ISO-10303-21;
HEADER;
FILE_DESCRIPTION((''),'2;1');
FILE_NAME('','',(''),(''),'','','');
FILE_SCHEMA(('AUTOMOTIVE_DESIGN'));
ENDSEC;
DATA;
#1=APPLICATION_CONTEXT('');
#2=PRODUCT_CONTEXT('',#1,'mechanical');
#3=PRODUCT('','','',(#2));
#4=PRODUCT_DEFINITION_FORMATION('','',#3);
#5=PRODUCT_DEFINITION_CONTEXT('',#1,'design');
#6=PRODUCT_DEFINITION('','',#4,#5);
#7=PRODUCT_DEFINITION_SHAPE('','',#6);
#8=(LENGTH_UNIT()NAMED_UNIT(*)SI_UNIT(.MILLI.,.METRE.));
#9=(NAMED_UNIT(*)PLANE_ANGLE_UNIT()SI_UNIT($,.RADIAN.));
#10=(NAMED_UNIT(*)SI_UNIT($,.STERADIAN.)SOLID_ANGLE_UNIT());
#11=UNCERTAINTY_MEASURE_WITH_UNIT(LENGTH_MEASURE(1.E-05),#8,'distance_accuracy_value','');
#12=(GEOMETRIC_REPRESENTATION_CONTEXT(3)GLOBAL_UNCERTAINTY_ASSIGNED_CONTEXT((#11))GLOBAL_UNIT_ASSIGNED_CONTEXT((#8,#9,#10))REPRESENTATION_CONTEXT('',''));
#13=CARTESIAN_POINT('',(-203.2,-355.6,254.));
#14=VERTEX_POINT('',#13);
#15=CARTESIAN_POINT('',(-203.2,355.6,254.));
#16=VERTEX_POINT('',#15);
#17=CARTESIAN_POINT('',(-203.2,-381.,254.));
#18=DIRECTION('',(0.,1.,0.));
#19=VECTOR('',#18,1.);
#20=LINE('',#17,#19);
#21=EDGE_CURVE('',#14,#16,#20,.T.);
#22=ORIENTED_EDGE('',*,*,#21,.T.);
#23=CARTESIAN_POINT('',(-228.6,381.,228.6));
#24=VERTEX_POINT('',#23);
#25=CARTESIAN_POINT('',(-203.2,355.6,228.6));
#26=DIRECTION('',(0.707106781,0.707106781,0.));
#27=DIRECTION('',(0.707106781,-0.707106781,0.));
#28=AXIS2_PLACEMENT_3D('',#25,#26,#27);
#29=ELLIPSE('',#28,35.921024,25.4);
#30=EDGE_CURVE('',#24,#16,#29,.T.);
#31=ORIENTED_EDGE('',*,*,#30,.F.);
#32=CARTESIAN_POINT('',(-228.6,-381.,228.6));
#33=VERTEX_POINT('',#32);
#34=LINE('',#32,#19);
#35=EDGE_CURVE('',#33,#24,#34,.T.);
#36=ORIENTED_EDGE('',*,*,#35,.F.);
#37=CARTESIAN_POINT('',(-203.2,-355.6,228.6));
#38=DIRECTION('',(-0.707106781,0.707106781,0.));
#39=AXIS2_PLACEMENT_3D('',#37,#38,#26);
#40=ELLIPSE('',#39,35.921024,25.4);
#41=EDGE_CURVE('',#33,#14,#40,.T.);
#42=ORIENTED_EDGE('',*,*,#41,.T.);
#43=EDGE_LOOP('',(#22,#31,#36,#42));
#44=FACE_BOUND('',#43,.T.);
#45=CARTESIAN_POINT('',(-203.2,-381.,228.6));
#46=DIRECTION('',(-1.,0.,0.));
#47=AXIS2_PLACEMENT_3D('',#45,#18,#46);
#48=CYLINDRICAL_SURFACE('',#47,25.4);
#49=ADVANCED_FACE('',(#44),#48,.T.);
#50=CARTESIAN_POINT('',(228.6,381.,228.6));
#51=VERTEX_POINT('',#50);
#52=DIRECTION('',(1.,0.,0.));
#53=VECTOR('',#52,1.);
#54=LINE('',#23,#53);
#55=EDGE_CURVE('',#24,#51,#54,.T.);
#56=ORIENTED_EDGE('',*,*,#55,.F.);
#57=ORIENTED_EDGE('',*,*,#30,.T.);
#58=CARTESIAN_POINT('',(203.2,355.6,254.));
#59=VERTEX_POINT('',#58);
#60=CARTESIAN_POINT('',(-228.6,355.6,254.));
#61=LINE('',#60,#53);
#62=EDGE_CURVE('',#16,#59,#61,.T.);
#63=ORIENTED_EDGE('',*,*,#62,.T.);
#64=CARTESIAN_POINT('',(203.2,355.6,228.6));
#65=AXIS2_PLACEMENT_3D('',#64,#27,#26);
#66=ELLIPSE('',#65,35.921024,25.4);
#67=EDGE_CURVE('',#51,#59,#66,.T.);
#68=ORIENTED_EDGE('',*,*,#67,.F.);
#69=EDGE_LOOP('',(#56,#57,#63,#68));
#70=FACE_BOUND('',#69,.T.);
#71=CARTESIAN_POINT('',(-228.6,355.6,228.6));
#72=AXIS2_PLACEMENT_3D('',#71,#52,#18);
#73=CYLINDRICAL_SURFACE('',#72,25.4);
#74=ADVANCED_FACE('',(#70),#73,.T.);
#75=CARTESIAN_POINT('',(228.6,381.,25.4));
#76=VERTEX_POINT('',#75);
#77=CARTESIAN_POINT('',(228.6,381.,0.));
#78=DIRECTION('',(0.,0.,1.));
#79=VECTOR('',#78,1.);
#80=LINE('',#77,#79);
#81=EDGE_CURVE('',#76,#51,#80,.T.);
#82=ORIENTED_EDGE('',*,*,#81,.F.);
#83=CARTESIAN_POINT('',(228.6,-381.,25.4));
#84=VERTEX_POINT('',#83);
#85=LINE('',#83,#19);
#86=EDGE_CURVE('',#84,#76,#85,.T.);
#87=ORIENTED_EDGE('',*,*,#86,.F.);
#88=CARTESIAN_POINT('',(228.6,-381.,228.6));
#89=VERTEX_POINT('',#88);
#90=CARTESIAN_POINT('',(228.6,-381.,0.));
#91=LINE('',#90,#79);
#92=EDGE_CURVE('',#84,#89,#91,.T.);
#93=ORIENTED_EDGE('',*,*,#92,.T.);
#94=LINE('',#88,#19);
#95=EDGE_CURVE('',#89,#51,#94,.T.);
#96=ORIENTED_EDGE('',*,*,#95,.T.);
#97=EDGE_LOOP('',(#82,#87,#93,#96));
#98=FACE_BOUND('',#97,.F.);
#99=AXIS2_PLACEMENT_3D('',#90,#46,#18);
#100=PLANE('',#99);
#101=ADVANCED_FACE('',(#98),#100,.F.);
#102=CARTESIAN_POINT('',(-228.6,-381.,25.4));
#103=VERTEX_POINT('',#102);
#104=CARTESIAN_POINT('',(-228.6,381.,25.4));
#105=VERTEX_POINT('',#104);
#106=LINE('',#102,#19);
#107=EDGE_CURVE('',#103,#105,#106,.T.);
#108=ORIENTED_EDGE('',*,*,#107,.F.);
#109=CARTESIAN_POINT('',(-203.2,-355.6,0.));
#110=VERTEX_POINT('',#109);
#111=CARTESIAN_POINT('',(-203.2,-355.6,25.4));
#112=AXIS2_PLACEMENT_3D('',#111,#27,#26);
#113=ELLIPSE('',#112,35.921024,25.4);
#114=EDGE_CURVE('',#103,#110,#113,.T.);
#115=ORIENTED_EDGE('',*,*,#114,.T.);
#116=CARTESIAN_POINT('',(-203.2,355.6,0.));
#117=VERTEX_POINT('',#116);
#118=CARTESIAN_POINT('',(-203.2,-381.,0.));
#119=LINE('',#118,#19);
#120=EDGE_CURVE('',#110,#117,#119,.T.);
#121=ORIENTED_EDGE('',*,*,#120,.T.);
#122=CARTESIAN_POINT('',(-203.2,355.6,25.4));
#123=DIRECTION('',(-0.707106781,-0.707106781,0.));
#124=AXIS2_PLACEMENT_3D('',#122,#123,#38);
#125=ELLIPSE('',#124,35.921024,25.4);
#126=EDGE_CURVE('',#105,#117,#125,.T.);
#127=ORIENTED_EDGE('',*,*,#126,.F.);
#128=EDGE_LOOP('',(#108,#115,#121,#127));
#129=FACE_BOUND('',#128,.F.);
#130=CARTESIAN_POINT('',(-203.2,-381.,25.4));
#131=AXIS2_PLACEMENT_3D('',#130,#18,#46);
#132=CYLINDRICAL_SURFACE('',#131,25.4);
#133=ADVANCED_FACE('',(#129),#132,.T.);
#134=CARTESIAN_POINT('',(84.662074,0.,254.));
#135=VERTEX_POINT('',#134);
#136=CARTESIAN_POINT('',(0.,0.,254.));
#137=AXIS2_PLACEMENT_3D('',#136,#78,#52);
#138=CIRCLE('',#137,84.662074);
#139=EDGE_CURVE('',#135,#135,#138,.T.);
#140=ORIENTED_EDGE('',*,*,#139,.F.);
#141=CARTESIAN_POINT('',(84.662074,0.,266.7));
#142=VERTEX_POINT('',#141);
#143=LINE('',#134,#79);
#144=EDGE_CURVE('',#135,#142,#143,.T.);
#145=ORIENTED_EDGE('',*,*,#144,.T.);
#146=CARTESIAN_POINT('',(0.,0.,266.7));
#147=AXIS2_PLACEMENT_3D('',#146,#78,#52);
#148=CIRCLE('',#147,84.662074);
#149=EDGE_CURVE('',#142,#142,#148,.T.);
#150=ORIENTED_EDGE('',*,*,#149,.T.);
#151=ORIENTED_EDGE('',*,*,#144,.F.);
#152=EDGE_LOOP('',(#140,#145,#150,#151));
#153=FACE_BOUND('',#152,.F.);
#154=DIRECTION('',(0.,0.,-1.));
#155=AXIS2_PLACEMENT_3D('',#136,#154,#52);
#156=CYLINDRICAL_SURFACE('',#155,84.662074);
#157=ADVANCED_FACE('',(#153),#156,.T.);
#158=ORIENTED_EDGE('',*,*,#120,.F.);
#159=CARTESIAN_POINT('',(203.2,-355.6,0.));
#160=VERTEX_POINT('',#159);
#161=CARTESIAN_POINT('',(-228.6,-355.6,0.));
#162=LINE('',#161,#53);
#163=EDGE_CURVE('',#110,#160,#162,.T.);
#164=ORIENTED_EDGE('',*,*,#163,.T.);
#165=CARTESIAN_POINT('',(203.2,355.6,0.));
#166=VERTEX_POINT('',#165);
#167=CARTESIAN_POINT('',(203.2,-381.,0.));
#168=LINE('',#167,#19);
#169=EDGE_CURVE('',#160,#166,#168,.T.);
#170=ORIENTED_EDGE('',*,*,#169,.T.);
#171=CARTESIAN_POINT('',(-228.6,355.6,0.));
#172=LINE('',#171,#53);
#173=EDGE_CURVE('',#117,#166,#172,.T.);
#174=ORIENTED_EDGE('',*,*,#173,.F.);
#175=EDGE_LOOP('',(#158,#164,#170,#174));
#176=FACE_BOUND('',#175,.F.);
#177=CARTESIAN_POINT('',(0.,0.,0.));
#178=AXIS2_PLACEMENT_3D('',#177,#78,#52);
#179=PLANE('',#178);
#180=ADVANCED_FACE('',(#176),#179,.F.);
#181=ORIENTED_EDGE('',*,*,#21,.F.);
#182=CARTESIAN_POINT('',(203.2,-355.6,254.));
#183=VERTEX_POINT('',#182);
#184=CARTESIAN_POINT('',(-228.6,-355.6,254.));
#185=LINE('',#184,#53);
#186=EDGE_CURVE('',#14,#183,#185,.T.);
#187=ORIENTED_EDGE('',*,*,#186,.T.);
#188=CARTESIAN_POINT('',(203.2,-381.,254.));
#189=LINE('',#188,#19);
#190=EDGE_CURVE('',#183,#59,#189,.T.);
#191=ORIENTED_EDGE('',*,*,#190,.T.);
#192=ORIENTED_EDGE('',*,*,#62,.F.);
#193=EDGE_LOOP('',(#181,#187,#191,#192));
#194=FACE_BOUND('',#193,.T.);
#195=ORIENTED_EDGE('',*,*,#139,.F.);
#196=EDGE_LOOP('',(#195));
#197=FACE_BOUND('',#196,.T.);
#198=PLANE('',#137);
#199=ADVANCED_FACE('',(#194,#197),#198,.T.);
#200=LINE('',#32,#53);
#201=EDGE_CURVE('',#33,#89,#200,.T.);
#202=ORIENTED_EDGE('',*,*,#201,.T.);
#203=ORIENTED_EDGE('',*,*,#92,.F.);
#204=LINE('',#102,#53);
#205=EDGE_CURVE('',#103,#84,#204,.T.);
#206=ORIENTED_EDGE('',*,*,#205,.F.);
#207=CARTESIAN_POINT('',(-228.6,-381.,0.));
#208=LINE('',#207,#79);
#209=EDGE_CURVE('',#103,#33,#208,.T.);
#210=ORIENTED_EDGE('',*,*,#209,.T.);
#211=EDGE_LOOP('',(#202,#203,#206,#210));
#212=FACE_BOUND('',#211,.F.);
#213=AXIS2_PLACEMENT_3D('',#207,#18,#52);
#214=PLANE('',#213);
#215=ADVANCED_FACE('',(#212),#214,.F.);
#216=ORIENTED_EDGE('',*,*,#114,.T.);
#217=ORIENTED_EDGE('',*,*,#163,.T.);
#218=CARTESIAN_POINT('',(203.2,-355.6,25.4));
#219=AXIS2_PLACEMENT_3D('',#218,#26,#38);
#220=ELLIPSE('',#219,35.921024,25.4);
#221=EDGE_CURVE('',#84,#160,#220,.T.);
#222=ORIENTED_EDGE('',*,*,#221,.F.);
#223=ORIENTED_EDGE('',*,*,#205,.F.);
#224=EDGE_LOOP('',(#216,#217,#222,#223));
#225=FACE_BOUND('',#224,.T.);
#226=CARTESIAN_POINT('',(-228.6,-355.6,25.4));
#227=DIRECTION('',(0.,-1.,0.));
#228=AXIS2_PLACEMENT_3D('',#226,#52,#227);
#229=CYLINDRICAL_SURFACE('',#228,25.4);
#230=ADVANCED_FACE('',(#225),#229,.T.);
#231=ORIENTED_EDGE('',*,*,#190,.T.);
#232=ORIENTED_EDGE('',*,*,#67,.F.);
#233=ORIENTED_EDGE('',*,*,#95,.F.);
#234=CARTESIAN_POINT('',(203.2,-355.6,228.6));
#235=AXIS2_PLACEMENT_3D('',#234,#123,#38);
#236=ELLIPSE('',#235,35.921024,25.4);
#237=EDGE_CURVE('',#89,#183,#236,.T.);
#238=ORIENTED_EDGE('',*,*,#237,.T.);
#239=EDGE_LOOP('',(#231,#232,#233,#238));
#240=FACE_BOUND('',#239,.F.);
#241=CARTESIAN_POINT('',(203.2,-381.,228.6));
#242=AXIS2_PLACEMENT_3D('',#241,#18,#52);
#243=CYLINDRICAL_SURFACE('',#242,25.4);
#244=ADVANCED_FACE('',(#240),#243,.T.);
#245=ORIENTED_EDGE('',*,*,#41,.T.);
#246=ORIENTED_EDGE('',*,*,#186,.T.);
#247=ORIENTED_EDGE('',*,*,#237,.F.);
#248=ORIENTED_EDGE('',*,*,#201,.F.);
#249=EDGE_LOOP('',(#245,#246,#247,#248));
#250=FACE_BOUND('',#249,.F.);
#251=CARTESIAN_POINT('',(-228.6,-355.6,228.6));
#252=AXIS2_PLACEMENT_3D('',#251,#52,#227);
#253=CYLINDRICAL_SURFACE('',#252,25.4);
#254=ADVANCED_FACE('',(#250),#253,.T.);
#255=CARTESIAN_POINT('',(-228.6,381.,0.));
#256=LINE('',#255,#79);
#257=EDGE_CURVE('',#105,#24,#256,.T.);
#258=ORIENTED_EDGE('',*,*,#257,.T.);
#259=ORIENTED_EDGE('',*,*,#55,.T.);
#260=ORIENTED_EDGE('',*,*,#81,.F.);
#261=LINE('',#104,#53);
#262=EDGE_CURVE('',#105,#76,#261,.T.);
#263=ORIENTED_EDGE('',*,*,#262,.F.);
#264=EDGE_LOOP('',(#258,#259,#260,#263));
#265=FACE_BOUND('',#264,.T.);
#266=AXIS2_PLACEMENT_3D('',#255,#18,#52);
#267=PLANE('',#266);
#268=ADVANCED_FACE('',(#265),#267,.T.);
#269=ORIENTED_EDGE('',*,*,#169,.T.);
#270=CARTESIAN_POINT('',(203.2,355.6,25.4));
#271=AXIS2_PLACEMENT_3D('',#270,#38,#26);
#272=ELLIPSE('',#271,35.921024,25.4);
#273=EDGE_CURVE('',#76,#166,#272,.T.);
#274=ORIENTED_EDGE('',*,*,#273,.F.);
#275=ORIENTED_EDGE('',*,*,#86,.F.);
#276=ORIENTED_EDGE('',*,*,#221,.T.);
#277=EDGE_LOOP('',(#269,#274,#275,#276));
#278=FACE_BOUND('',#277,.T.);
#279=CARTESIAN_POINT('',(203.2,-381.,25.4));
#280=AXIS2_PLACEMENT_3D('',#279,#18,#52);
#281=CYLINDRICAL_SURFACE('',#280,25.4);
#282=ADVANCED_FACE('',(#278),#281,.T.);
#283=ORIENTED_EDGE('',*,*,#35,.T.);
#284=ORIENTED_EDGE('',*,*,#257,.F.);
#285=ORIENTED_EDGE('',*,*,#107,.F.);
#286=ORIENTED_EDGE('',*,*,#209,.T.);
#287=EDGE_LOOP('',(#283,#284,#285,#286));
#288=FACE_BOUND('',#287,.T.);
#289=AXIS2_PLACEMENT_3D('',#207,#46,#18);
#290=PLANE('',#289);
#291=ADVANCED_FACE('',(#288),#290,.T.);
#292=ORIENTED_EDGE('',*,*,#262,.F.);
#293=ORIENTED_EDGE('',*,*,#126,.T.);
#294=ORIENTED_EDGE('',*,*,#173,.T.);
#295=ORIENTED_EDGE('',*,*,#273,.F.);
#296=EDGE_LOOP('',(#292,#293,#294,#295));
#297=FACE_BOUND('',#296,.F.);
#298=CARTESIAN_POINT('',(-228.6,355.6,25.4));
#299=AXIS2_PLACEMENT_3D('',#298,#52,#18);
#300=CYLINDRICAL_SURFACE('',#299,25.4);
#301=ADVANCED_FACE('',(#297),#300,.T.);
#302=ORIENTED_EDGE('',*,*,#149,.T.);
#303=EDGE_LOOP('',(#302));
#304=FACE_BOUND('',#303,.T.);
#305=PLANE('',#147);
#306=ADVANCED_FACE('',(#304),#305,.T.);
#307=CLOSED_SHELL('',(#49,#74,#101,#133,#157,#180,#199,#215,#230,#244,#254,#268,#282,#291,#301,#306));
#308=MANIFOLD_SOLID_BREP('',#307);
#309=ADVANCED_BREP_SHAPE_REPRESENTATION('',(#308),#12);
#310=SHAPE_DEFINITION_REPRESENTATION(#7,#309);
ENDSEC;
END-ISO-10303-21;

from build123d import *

# Parameters (mm, degrees)
F0_W     = 457.2
F0_H     = 762
F1_DEPTH = 254
F2_R     = 25.4
F3_R     = 84.662074
F4_DEPTH = 12.7


with BuildPart() as f1:
    # F0 (on Top) → F1 (new body)
    with BuildSketch(Plane.XY):
        Rectangle(F0_W, F0_H)
    extrude(amount=F1_DEPTH)

    # F2
    f2_edges = [f1.edges().sort_by_distance(p)[0] for p in [
        (0, 381, 254),
        (228.6, 0, 254),
        (0, -381, 254),
        (-228.6, 0, 254),
        (228.6, 0, 0),
        (-228.6, 0, 0),
        (0, -381, 0),
        (0, 381, 0),
    ]]
    fillet(f2_edges, radius=F2_R)

    # F3 (on face) → F4 (join)
    with BuildSketch(Plane.XY.offset(254)):
        Circle(F3_R)
    extrude(amount=F4_DEPTH)


solid = f1.part
